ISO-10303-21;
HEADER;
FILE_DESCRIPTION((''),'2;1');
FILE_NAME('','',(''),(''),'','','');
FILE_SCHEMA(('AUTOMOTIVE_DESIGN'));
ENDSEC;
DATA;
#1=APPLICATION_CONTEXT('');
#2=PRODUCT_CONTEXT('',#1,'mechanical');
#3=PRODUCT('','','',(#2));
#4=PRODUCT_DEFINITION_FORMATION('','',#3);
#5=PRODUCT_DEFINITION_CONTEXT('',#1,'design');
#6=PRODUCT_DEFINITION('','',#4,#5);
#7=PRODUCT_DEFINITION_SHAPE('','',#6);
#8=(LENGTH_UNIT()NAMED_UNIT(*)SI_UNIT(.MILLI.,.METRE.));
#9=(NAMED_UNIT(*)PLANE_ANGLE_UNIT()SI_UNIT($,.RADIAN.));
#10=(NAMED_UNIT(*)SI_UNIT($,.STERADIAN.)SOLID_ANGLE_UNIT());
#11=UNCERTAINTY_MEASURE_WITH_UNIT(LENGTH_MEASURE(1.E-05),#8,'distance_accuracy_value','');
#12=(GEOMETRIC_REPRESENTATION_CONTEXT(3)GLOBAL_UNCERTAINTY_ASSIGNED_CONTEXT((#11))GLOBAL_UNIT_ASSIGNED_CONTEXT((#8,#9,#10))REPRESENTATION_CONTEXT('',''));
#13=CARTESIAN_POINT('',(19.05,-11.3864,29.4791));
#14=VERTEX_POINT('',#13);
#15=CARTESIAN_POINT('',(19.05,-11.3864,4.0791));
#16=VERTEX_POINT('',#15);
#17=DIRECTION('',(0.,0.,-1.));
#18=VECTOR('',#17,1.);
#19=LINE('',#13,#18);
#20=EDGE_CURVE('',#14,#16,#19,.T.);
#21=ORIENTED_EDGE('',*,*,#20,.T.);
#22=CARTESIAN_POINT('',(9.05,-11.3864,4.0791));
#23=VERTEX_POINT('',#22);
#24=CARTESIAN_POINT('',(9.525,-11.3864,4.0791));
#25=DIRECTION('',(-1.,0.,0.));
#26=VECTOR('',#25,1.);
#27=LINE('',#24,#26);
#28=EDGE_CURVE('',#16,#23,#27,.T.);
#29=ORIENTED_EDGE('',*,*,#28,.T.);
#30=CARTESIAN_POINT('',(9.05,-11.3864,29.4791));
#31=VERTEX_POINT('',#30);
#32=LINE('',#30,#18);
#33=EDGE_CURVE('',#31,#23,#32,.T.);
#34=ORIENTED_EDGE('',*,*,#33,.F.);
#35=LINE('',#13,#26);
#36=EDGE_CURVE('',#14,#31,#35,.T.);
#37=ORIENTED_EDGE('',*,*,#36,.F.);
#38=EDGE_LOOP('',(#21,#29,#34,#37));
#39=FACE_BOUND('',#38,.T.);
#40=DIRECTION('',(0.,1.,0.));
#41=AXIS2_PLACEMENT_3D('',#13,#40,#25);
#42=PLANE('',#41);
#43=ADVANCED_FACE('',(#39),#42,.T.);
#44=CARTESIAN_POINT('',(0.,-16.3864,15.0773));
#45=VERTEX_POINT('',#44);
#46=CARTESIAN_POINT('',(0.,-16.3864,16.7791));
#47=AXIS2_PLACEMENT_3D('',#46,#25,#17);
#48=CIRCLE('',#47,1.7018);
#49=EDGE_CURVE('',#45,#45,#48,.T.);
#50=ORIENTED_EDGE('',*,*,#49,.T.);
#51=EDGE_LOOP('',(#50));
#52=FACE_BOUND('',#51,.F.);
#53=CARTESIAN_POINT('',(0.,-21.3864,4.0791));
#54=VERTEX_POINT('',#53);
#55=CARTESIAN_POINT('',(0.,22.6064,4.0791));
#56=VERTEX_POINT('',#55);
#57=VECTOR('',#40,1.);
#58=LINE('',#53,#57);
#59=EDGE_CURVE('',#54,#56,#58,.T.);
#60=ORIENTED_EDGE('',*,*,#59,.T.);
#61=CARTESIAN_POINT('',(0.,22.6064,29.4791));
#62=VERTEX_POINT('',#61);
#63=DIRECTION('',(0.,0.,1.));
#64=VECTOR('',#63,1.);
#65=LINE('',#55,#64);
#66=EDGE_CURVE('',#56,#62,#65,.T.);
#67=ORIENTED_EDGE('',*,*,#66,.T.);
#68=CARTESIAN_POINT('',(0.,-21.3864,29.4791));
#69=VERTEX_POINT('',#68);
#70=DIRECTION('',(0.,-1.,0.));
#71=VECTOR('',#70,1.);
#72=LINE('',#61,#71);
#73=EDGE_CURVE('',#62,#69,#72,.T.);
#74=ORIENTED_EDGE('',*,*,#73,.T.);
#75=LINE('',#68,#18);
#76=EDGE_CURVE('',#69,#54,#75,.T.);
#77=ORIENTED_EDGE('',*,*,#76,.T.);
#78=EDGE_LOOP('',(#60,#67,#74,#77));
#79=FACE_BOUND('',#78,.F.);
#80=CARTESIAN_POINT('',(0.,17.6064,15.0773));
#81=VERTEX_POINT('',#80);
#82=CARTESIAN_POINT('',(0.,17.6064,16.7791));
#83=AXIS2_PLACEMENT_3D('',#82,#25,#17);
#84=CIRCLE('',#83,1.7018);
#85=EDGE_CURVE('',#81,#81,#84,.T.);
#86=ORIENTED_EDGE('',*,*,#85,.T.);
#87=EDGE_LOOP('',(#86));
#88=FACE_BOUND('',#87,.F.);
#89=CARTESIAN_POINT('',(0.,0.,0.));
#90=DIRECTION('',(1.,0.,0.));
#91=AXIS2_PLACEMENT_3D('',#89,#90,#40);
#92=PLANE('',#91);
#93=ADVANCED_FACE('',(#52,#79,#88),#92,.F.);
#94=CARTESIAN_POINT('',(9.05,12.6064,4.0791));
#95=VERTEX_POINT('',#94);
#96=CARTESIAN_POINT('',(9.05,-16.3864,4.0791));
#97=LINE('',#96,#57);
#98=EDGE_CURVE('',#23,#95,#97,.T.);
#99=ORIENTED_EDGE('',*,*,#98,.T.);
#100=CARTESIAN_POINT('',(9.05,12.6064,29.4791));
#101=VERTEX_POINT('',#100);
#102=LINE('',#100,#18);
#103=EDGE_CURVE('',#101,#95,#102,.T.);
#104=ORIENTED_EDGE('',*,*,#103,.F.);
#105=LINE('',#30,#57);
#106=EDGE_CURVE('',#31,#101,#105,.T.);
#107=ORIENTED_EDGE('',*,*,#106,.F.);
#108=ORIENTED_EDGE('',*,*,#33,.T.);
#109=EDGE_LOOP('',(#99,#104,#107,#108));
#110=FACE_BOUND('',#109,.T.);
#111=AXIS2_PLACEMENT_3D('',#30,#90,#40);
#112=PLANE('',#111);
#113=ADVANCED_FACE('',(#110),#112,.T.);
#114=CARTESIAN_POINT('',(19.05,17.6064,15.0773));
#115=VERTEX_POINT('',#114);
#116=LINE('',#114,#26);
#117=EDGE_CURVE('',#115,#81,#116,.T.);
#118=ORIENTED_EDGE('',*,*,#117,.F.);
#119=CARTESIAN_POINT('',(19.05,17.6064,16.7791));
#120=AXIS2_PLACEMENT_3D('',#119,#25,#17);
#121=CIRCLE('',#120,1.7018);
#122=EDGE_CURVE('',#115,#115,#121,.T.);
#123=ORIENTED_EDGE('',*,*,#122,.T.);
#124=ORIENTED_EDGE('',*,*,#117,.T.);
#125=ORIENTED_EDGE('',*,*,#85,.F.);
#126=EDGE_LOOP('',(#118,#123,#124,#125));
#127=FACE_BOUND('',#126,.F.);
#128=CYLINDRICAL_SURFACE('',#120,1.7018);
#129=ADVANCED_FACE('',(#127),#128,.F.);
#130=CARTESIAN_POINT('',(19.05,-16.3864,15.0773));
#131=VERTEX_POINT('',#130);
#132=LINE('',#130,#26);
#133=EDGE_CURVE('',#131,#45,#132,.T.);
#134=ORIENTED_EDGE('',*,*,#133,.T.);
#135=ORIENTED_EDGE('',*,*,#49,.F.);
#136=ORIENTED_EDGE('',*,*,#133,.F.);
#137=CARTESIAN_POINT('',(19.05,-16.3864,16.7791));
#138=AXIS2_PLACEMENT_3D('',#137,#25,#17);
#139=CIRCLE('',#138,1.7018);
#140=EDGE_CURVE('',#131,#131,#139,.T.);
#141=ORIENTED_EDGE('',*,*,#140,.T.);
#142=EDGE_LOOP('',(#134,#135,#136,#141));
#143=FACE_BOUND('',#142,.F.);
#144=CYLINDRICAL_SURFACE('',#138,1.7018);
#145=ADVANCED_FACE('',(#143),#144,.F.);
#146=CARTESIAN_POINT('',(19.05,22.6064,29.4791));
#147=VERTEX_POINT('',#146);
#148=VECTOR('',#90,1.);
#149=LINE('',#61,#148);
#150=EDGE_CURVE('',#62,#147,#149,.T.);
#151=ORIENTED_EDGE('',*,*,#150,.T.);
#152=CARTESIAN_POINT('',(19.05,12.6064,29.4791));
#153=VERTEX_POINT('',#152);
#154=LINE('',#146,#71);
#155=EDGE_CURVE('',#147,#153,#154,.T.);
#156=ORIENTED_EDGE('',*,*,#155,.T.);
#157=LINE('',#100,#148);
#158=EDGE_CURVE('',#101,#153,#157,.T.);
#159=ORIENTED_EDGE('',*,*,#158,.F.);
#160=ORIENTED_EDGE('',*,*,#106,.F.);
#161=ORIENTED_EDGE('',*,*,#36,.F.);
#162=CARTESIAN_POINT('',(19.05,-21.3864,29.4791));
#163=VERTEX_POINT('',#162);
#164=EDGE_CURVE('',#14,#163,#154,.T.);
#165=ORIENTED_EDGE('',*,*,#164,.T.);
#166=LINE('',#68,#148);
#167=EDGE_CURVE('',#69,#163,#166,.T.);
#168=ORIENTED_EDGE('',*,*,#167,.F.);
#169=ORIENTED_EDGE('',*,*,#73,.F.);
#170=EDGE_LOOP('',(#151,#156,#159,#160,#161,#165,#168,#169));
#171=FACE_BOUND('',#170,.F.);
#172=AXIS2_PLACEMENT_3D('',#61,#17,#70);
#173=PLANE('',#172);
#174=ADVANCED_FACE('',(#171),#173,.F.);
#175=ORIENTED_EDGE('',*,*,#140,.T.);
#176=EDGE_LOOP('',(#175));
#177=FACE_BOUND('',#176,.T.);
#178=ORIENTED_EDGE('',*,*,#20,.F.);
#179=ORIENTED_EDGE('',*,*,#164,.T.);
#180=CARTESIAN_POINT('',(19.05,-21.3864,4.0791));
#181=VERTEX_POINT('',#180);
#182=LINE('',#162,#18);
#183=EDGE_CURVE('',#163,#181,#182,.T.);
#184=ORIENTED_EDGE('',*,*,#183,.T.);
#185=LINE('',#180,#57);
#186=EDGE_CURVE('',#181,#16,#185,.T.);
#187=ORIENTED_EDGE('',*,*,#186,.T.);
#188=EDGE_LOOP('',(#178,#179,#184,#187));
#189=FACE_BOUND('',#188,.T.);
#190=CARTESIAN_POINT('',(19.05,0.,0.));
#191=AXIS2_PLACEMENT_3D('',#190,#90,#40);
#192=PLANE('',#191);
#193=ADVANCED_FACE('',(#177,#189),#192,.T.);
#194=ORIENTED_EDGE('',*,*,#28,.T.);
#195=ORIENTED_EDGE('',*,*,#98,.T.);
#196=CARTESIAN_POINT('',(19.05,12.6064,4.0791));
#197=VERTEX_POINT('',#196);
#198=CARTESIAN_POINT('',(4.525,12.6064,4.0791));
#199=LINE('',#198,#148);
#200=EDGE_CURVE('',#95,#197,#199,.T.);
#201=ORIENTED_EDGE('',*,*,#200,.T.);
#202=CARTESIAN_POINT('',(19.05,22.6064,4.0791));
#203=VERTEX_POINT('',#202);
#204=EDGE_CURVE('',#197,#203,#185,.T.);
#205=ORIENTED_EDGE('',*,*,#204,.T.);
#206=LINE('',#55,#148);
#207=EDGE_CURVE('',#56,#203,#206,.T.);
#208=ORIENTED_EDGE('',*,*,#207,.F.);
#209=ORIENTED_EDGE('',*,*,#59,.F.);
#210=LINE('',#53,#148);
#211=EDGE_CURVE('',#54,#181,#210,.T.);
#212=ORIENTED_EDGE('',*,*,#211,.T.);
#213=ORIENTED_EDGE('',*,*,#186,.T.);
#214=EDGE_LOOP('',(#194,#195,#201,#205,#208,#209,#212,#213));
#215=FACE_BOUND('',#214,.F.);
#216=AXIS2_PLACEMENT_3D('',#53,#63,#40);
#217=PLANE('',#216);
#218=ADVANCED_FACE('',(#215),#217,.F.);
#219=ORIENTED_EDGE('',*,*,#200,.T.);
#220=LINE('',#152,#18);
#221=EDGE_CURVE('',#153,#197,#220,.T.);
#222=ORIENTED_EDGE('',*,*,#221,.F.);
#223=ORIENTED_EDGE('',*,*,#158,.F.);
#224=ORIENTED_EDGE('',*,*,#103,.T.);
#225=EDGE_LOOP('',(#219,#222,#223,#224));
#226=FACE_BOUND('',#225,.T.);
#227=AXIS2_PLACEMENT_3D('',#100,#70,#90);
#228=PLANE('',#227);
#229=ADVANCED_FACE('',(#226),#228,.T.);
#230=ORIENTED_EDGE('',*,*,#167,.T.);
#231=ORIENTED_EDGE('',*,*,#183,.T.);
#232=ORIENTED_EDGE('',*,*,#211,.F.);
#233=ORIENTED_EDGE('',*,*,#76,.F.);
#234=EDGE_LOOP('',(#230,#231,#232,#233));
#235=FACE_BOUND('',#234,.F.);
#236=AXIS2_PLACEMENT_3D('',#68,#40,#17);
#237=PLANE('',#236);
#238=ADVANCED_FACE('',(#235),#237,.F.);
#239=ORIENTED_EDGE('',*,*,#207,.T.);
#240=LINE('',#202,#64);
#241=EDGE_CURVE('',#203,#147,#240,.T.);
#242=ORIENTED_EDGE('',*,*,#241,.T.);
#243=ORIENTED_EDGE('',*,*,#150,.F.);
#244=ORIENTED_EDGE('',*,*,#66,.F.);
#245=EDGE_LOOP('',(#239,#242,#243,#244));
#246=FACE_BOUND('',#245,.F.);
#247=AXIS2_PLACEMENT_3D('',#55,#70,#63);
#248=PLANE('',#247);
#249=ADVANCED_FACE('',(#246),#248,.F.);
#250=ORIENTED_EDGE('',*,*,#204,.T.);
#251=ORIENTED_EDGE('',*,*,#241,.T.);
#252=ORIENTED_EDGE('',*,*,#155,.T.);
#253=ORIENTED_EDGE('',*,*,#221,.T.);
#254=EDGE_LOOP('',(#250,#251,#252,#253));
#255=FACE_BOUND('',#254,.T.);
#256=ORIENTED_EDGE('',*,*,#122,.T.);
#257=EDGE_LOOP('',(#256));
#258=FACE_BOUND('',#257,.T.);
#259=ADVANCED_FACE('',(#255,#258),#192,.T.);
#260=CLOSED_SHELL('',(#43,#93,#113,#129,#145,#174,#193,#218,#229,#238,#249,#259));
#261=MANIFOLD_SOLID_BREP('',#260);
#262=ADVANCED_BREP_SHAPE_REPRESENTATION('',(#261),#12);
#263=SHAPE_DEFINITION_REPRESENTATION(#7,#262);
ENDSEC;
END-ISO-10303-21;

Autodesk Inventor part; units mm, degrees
ref_plane "YZ Plane" through (0, 0, 0) normal (1, 0, 0) x (0, 1, 0)
ref_plane "XZ Plane" through (0, 0, 0) normal (0, 1, 0) x (-1, 0, 0)
ref_plane "XY Plane" through (0, 0, 0) normal (0, 0, 1) x (1, 0, 0)
sketch "Sketch1" plane through (0, 0, 0) normal (1, 0, 0) x (0, 1, 0)
  line L0 (22.6064, 29.4791) -> (-21.3864, 29.4791)
  line L1 (-21.3864, 29.4791) -> (-21.3864, 4.0791)
  line L2 (-21.3864, 4.0791) -> (22.6064, 4.0791)
  line L3 (22.6064, 4.0791) -> (22.6064, 29.4791)
  point P0 (0, 0)
  dimension "d0" = 43.9928
  dimension "d1" = 25.4
extrude "Extrusion1" add sketch "Sketch1" along normal blind 19.05
sketch "Sketch2" plane through (19.05, 0, 0) normal (1, 0, 0) x (0, 0, -1)
  line L0 (-29.4791, 22.6064) -> (-29.4791, -21.3864) projected
  line L1 (-29.4791, -21.3864) -> (-4.0791, -21.3864) projected
  line L2 (-4.0791, 22.6064) -> (-29.4791, 22.6064) projected
  point P0 (0, 0)
  point P1 (-16.7791, 17.6064)
  point P2 (-16.7791, -16.3864)
  dimension "d4" = 0
  dimension "d5" = 12.7
  dimension "d6" = 5
  dimension "d7" = 5
hole "Hole1" at (19.05, 17.6064, 16.7791) at (19.05, -16.3864, 16.7791) direction (-1, 0, 0) diameter 3.4036 end through all clearance for "Flat Head Machine Screw" size "M3" standard "Ansi Metric M Profile"
sketch "Sketch3" plane through (0, -21.3864, 29.4791) normal (0, 0, 1) x (1, 0, 0)
  line L0 (19.05, 10) -> (9.05, 10)
  line L1 (9.05, 10) -> (9.05, 33.9928)
  line L2 (9.05, 33.9928) -> (19.05, 33.9928)
  line L3 (19.05, 33.9928) -> (19.05, 10)
  line L4 (19.05, 43.9928) -> (19.05, 0) projected
  line L5 (0, 43.9928) -> (19.05, 43.9928) projected
  line L6 (0, 0) -> (19.05, 0) projected
  point P0 (0, 21.3864)
  dimension "d15" = 0
  dimension "d16" = 10
  dimension "d17" = 10
  dimension "d18" = 10
extrude "Extrusion2" cut sketch "Sketch3" against normal blind 60.325
properties part number "LidarV4MountBack"
